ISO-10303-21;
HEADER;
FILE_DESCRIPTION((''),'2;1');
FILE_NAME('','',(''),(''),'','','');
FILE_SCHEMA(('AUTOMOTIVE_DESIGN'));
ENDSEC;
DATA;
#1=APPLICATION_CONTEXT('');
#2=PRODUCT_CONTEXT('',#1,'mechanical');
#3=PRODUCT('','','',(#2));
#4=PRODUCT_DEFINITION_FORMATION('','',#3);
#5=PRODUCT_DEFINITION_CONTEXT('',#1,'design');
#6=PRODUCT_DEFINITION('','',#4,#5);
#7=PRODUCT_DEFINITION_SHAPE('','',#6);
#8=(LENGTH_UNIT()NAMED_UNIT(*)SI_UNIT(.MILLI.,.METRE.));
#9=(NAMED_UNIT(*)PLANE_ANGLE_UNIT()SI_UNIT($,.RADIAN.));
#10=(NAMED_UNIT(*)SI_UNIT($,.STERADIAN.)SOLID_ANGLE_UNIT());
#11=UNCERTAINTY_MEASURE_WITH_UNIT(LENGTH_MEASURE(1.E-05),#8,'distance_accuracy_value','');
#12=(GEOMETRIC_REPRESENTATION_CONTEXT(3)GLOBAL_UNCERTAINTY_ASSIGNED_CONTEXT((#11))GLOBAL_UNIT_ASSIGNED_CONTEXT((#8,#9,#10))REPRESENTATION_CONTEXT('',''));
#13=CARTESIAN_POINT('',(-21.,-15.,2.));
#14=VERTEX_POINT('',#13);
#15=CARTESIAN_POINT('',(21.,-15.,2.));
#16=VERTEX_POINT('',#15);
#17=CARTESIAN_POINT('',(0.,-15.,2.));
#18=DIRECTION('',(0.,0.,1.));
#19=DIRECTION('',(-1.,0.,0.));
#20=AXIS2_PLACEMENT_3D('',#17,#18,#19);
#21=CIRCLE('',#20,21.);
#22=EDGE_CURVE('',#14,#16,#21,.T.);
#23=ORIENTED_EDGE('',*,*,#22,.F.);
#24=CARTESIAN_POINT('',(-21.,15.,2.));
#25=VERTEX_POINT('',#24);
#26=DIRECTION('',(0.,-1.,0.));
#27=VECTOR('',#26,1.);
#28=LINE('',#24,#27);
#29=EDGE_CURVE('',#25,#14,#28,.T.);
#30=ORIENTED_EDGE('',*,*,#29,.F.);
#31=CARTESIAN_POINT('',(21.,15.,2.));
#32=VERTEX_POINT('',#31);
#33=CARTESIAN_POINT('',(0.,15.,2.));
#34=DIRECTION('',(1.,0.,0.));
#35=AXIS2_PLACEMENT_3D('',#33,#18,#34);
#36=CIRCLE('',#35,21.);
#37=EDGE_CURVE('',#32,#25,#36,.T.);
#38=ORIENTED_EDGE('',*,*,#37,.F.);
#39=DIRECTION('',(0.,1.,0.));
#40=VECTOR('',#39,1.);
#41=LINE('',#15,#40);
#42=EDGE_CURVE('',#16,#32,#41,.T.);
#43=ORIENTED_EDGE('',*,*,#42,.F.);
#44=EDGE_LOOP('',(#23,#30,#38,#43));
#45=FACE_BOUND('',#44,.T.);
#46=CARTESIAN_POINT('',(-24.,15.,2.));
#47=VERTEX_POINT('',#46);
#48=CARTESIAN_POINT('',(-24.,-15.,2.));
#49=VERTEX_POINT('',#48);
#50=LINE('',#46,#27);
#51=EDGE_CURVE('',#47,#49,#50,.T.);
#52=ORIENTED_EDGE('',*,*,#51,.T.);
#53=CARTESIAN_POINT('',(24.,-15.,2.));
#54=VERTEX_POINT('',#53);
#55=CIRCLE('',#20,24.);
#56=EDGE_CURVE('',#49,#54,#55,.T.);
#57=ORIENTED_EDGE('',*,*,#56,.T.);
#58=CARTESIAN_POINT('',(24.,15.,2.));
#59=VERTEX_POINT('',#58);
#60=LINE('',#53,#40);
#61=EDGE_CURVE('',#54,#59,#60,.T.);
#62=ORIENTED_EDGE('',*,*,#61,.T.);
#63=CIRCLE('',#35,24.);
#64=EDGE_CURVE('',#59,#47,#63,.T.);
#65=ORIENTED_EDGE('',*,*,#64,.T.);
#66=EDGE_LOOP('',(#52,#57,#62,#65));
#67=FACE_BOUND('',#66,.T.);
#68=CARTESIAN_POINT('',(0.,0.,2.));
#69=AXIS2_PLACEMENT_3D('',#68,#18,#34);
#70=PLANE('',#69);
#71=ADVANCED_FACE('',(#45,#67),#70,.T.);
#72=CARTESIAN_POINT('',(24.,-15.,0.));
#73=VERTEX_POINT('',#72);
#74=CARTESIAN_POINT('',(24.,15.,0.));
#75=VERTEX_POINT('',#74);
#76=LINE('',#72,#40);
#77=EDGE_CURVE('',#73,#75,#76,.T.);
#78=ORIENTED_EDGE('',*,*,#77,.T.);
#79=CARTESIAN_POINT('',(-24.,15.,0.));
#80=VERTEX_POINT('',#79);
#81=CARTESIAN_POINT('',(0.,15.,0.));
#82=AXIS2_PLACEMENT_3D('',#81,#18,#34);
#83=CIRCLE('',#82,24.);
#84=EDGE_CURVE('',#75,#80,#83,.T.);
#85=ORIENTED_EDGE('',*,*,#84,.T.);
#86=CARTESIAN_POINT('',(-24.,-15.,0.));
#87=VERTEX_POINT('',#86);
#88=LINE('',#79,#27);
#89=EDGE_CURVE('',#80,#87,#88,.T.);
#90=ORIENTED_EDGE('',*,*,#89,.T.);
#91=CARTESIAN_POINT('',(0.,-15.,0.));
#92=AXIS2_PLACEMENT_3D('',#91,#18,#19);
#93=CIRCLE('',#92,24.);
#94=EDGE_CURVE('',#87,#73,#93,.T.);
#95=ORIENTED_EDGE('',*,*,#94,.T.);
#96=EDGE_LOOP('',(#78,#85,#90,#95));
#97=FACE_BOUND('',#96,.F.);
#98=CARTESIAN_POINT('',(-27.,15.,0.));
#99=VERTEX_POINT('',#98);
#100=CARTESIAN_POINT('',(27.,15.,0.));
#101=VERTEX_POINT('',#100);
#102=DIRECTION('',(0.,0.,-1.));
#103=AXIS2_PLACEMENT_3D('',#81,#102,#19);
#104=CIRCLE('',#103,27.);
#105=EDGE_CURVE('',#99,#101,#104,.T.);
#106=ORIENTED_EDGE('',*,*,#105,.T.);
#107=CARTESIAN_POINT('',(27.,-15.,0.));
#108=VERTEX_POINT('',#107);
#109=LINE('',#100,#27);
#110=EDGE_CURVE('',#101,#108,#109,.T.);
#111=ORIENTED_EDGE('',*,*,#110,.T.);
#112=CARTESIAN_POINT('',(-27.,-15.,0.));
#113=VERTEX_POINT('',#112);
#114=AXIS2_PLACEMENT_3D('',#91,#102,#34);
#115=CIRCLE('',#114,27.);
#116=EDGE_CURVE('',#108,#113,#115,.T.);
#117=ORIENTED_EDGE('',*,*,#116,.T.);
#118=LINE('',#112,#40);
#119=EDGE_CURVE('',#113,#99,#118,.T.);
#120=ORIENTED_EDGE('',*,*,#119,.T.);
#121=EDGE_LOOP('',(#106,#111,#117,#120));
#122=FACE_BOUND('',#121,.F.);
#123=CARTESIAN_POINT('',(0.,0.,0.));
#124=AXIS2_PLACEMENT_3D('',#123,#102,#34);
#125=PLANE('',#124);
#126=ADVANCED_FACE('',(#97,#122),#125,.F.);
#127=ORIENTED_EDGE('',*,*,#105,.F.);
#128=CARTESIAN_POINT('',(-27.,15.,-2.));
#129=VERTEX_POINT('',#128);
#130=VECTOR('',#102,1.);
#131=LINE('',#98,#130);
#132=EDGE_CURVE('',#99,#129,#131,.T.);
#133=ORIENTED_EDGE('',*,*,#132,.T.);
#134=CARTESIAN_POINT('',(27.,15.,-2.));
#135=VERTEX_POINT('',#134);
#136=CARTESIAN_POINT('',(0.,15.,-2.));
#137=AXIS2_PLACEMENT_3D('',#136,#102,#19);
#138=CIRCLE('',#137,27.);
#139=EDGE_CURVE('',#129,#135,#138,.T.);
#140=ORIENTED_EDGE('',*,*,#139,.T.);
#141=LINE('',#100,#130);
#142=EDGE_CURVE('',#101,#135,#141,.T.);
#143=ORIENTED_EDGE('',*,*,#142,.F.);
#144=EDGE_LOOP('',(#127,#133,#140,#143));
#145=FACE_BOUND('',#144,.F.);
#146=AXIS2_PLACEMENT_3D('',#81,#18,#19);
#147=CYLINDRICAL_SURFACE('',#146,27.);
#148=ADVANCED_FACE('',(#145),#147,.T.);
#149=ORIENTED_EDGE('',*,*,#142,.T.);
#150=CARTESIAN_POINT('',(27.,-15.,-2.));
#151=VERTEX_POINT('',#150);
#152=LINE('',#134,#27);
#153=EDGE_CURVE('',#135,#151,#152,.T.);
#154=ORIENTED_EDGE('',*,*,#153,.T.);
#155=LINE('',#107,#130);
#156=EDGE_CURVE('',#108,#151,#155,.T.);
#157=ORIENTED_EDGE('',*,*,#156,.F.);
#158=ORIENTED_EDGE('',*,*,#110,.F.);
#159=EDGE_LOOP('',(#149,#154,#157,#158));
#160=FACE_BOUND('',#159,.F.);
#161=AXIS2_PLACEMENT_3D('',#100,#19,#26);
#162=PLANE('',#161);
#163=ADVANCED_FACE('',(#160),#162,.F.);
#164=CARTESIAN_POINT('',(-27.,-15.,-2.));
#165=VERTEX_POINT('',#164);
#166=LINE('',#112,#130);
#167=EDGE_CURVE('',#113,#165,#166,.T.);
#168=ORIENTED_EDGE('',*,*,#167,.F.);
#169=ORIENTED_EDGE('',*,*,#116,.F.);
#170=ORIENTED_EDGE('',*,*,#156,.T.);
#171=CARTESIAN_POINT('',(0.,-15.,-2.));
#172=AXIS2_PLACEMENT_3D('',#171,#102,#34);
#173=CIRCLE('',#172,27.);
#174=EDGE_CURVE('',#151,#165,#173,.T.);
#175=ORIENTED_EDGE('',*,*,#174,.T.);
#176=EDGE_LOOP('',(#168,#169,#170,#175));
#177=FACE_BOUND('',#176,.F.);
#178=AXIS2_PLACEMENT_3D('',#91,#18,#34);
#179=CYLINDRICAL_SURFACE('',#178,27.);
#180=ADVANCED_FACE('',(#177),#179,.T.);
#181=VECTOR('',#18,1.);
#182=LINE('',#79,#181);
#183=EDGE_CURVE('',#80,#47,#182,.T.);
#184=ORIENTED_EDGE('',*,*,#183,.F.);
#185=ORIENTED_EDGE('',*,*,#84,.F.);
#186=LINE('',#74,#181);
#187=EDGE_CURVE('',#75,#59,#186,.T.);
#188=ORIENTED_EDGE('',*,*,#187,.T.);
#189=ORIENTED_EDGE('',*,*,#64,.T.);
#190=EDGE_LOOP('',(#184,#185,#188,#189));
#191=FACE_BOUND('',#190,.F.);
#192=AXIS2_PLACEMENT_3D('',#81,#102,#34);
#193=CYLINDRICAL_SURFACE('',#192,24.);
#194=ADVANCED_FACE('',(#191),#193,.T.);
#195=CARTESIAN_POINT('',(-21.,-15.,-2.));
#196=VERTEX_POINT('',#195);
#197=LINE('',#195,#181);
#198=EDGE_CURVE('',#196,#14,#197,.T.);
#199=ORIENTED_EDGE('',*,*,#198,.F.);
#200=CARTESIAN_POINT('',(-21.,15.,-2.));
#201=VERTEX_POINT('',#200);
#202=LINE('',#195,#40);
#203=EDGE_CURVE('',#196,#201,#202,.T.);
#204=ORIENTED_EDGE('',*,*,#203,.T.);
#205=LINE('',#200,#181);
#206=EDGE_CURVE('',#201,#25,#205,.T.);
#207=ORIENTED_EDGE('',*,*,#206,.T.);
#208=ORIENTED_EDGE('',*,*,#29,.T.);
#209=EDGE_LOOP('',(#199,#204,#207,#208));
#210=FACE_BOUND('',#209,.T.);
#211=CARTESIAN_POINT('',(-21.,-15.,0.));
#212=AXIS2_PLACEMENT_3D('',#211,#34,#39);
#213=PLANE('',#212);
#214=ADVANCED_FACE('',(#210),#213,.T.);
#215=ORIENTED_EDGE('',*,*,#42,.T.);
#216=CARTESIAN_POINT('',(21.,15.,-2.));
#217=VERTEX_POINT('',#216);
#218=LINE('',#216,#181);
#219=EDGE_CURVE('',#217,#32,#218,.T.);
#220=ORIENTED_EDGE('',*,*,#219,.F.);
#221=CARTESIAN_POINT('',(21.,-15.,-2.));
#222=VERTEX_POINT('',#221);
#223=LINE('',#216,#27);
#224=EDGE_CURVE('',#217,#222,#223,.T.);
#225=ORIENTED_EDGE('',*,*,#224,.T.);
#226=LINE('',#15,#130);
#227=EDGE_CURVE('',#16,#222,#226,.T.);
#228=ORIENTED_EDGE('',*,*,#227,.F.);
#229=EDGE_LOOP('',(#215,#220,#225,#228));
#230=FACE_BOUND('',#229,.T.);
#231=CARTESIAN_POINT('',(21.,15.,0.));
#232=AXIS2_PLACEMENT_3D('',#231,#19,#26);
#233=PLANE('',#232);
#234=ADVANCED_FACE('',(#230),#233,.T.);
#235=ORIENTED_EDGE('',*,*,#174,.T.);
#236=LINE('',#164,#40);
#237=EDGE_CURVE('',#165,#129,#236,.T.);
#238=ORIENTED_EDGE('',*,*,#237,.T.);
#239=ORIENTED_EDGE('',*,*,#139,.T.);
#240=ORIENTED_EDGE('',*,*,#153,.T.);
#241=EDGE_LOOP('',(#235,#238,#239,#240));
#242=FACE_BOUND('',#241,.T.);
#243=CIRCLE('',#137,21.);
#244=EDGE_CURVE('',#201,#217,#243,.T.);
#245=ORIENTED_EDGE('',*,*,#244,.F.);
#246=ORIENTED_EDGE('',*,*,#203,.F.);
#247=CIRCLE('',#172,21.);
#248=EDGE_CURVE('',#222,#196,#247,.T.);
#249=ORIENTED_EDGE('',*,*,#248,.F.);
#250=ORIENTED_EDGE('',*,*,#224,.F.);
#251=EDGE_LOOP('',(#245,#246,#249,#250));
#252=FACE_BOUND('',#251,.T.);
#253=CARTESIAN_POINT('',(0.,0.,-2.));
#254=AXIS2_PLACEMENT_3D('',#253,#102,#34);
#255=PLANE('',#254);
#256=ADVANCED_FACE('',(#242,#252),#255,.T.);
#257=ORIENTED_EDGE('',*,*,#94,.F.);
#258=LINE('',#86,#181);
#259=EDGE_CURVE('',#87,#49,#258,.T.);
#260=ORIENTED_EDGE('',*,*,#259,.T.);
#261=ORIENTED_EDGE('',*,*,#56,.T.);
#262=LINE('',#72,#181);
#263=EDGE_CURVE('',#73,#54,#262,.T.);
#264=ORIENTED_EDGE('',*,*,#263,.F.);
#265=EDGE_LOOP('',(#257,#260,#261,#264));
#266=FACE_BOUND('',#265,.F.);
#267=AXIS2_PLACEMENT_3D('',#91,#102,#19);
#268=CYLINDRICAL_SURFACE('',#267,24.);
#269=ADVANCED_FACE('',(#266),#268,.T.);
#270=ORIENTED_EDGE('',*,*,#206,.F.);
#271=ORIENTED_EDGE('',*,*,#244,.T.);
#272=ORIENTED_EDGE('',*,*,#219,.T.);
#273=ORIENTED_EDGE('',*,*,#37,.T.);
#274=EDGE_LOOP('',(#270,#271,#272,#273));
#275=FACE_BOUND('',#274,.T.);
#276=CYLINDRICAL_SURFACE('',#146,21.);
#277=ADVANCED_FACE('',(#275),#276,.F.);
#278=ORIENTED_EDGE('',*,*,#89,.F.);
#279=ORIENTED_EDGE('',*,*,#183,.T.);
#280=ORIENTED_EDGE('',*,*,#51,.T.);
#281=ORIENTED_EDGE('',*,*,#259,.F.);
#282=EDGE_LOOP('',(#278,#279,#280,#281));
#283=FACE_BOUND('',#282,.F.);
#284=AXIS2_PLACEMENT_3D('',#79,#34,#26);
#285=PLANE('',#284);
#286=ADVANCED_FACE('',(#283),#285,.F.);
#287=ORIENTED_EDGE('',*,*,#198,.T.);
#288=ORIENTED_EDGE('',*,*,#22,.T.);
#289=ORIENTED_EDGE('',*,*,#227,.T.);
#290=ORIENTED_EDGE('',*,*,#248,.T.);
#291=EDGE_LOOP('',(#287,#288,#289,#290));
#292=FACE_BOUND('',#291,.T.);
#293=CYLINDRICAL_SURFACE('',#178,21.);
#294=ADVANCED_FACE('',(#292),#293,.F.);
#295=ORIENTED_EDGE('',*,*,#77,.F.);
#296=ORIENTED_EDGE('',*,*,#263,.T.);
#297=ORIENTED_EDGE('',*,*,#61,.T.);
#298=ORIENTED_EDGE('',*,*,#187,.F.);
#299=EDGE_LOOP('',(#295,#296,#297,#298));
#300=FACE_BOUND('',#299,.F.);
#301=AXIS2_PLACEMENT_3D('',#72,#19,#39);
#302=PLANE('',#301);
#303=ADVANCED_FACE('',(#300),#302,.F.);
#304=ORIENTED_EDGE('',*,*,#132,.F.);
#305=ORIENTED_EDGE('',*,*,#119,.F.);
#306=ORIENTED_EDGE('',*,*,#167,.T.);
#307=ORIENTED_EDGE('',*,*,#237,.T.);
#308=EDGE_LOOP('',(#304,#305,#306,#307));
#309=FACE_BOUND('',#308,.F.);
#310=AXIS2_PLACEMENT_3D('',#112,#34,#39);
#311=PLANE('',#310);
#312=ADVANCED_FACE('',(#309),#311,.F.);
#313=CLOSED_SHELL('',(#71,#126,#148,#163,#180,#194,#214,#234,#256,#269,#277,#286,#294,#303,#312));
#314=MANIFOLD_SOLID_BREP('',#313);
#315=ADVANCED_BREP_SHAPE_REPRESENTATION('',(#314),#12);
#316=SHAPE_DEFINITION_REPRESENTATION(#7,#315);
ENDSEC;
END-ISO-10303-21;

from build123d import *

# Parameters (mm, degrees)
PAD_DEPTH    = 2
PAD001_DEPTH = 2


with BuildPart() as part:
    # Sketch → Pad (new body)
    with BuildSketch(Plane.XY):
        with BuildLine():
            ThreePointArc((24, 15), (0, 39), (-24, 15))
            Line((-24, 15), (-24, -15))
            ThreePointArc((-24, -15), (0, -39), (24, -15))
            Line((24, -15), (24, 15))
        make_face()
        with BuildLine():
            ThreePointArc((21, 15), (0, 36), (-21, 15))
            Line((-21, 15), (-21, -15))
            ThreePointArc((-21, -15), (0, -36), (21, -15))
            Line((21, -15), (21, 15))
        make_face(mode=Mode.SUBTRACT)
    extrude(amount=PAD_DEPTH)

    # Sketch001 (on Face9 of Pad) → Pad001 (join)
    with BuildSketch(Plane(origin=(0, 0, 0), x_dir=(1, 0, 0), z_dir=(0, 0, -1))):
        with BuildLine():
            ThreePointArc((27, 15), (0, 42), (-27, 15))
            Line((-27, 15), (-27, -15))
            ThreePointArc((-27, -15), (0, -42), (27, -15))
            Line((27, -15), (27, 15))
        make_face()
        with BuildLine():
            ThreePointArc((21, 15), (0, 36), (-21, 15))
            Line((-21, 15), (-21, -15))
            ThreePointArc((-21, -15), (0, -36), (21, -15))
            Line((21, -15), (21, 15))
        make_face(mode=Mode.SUBTRACT)
    extrude(amount=PAD001_DEPTH)


solid = part.part
